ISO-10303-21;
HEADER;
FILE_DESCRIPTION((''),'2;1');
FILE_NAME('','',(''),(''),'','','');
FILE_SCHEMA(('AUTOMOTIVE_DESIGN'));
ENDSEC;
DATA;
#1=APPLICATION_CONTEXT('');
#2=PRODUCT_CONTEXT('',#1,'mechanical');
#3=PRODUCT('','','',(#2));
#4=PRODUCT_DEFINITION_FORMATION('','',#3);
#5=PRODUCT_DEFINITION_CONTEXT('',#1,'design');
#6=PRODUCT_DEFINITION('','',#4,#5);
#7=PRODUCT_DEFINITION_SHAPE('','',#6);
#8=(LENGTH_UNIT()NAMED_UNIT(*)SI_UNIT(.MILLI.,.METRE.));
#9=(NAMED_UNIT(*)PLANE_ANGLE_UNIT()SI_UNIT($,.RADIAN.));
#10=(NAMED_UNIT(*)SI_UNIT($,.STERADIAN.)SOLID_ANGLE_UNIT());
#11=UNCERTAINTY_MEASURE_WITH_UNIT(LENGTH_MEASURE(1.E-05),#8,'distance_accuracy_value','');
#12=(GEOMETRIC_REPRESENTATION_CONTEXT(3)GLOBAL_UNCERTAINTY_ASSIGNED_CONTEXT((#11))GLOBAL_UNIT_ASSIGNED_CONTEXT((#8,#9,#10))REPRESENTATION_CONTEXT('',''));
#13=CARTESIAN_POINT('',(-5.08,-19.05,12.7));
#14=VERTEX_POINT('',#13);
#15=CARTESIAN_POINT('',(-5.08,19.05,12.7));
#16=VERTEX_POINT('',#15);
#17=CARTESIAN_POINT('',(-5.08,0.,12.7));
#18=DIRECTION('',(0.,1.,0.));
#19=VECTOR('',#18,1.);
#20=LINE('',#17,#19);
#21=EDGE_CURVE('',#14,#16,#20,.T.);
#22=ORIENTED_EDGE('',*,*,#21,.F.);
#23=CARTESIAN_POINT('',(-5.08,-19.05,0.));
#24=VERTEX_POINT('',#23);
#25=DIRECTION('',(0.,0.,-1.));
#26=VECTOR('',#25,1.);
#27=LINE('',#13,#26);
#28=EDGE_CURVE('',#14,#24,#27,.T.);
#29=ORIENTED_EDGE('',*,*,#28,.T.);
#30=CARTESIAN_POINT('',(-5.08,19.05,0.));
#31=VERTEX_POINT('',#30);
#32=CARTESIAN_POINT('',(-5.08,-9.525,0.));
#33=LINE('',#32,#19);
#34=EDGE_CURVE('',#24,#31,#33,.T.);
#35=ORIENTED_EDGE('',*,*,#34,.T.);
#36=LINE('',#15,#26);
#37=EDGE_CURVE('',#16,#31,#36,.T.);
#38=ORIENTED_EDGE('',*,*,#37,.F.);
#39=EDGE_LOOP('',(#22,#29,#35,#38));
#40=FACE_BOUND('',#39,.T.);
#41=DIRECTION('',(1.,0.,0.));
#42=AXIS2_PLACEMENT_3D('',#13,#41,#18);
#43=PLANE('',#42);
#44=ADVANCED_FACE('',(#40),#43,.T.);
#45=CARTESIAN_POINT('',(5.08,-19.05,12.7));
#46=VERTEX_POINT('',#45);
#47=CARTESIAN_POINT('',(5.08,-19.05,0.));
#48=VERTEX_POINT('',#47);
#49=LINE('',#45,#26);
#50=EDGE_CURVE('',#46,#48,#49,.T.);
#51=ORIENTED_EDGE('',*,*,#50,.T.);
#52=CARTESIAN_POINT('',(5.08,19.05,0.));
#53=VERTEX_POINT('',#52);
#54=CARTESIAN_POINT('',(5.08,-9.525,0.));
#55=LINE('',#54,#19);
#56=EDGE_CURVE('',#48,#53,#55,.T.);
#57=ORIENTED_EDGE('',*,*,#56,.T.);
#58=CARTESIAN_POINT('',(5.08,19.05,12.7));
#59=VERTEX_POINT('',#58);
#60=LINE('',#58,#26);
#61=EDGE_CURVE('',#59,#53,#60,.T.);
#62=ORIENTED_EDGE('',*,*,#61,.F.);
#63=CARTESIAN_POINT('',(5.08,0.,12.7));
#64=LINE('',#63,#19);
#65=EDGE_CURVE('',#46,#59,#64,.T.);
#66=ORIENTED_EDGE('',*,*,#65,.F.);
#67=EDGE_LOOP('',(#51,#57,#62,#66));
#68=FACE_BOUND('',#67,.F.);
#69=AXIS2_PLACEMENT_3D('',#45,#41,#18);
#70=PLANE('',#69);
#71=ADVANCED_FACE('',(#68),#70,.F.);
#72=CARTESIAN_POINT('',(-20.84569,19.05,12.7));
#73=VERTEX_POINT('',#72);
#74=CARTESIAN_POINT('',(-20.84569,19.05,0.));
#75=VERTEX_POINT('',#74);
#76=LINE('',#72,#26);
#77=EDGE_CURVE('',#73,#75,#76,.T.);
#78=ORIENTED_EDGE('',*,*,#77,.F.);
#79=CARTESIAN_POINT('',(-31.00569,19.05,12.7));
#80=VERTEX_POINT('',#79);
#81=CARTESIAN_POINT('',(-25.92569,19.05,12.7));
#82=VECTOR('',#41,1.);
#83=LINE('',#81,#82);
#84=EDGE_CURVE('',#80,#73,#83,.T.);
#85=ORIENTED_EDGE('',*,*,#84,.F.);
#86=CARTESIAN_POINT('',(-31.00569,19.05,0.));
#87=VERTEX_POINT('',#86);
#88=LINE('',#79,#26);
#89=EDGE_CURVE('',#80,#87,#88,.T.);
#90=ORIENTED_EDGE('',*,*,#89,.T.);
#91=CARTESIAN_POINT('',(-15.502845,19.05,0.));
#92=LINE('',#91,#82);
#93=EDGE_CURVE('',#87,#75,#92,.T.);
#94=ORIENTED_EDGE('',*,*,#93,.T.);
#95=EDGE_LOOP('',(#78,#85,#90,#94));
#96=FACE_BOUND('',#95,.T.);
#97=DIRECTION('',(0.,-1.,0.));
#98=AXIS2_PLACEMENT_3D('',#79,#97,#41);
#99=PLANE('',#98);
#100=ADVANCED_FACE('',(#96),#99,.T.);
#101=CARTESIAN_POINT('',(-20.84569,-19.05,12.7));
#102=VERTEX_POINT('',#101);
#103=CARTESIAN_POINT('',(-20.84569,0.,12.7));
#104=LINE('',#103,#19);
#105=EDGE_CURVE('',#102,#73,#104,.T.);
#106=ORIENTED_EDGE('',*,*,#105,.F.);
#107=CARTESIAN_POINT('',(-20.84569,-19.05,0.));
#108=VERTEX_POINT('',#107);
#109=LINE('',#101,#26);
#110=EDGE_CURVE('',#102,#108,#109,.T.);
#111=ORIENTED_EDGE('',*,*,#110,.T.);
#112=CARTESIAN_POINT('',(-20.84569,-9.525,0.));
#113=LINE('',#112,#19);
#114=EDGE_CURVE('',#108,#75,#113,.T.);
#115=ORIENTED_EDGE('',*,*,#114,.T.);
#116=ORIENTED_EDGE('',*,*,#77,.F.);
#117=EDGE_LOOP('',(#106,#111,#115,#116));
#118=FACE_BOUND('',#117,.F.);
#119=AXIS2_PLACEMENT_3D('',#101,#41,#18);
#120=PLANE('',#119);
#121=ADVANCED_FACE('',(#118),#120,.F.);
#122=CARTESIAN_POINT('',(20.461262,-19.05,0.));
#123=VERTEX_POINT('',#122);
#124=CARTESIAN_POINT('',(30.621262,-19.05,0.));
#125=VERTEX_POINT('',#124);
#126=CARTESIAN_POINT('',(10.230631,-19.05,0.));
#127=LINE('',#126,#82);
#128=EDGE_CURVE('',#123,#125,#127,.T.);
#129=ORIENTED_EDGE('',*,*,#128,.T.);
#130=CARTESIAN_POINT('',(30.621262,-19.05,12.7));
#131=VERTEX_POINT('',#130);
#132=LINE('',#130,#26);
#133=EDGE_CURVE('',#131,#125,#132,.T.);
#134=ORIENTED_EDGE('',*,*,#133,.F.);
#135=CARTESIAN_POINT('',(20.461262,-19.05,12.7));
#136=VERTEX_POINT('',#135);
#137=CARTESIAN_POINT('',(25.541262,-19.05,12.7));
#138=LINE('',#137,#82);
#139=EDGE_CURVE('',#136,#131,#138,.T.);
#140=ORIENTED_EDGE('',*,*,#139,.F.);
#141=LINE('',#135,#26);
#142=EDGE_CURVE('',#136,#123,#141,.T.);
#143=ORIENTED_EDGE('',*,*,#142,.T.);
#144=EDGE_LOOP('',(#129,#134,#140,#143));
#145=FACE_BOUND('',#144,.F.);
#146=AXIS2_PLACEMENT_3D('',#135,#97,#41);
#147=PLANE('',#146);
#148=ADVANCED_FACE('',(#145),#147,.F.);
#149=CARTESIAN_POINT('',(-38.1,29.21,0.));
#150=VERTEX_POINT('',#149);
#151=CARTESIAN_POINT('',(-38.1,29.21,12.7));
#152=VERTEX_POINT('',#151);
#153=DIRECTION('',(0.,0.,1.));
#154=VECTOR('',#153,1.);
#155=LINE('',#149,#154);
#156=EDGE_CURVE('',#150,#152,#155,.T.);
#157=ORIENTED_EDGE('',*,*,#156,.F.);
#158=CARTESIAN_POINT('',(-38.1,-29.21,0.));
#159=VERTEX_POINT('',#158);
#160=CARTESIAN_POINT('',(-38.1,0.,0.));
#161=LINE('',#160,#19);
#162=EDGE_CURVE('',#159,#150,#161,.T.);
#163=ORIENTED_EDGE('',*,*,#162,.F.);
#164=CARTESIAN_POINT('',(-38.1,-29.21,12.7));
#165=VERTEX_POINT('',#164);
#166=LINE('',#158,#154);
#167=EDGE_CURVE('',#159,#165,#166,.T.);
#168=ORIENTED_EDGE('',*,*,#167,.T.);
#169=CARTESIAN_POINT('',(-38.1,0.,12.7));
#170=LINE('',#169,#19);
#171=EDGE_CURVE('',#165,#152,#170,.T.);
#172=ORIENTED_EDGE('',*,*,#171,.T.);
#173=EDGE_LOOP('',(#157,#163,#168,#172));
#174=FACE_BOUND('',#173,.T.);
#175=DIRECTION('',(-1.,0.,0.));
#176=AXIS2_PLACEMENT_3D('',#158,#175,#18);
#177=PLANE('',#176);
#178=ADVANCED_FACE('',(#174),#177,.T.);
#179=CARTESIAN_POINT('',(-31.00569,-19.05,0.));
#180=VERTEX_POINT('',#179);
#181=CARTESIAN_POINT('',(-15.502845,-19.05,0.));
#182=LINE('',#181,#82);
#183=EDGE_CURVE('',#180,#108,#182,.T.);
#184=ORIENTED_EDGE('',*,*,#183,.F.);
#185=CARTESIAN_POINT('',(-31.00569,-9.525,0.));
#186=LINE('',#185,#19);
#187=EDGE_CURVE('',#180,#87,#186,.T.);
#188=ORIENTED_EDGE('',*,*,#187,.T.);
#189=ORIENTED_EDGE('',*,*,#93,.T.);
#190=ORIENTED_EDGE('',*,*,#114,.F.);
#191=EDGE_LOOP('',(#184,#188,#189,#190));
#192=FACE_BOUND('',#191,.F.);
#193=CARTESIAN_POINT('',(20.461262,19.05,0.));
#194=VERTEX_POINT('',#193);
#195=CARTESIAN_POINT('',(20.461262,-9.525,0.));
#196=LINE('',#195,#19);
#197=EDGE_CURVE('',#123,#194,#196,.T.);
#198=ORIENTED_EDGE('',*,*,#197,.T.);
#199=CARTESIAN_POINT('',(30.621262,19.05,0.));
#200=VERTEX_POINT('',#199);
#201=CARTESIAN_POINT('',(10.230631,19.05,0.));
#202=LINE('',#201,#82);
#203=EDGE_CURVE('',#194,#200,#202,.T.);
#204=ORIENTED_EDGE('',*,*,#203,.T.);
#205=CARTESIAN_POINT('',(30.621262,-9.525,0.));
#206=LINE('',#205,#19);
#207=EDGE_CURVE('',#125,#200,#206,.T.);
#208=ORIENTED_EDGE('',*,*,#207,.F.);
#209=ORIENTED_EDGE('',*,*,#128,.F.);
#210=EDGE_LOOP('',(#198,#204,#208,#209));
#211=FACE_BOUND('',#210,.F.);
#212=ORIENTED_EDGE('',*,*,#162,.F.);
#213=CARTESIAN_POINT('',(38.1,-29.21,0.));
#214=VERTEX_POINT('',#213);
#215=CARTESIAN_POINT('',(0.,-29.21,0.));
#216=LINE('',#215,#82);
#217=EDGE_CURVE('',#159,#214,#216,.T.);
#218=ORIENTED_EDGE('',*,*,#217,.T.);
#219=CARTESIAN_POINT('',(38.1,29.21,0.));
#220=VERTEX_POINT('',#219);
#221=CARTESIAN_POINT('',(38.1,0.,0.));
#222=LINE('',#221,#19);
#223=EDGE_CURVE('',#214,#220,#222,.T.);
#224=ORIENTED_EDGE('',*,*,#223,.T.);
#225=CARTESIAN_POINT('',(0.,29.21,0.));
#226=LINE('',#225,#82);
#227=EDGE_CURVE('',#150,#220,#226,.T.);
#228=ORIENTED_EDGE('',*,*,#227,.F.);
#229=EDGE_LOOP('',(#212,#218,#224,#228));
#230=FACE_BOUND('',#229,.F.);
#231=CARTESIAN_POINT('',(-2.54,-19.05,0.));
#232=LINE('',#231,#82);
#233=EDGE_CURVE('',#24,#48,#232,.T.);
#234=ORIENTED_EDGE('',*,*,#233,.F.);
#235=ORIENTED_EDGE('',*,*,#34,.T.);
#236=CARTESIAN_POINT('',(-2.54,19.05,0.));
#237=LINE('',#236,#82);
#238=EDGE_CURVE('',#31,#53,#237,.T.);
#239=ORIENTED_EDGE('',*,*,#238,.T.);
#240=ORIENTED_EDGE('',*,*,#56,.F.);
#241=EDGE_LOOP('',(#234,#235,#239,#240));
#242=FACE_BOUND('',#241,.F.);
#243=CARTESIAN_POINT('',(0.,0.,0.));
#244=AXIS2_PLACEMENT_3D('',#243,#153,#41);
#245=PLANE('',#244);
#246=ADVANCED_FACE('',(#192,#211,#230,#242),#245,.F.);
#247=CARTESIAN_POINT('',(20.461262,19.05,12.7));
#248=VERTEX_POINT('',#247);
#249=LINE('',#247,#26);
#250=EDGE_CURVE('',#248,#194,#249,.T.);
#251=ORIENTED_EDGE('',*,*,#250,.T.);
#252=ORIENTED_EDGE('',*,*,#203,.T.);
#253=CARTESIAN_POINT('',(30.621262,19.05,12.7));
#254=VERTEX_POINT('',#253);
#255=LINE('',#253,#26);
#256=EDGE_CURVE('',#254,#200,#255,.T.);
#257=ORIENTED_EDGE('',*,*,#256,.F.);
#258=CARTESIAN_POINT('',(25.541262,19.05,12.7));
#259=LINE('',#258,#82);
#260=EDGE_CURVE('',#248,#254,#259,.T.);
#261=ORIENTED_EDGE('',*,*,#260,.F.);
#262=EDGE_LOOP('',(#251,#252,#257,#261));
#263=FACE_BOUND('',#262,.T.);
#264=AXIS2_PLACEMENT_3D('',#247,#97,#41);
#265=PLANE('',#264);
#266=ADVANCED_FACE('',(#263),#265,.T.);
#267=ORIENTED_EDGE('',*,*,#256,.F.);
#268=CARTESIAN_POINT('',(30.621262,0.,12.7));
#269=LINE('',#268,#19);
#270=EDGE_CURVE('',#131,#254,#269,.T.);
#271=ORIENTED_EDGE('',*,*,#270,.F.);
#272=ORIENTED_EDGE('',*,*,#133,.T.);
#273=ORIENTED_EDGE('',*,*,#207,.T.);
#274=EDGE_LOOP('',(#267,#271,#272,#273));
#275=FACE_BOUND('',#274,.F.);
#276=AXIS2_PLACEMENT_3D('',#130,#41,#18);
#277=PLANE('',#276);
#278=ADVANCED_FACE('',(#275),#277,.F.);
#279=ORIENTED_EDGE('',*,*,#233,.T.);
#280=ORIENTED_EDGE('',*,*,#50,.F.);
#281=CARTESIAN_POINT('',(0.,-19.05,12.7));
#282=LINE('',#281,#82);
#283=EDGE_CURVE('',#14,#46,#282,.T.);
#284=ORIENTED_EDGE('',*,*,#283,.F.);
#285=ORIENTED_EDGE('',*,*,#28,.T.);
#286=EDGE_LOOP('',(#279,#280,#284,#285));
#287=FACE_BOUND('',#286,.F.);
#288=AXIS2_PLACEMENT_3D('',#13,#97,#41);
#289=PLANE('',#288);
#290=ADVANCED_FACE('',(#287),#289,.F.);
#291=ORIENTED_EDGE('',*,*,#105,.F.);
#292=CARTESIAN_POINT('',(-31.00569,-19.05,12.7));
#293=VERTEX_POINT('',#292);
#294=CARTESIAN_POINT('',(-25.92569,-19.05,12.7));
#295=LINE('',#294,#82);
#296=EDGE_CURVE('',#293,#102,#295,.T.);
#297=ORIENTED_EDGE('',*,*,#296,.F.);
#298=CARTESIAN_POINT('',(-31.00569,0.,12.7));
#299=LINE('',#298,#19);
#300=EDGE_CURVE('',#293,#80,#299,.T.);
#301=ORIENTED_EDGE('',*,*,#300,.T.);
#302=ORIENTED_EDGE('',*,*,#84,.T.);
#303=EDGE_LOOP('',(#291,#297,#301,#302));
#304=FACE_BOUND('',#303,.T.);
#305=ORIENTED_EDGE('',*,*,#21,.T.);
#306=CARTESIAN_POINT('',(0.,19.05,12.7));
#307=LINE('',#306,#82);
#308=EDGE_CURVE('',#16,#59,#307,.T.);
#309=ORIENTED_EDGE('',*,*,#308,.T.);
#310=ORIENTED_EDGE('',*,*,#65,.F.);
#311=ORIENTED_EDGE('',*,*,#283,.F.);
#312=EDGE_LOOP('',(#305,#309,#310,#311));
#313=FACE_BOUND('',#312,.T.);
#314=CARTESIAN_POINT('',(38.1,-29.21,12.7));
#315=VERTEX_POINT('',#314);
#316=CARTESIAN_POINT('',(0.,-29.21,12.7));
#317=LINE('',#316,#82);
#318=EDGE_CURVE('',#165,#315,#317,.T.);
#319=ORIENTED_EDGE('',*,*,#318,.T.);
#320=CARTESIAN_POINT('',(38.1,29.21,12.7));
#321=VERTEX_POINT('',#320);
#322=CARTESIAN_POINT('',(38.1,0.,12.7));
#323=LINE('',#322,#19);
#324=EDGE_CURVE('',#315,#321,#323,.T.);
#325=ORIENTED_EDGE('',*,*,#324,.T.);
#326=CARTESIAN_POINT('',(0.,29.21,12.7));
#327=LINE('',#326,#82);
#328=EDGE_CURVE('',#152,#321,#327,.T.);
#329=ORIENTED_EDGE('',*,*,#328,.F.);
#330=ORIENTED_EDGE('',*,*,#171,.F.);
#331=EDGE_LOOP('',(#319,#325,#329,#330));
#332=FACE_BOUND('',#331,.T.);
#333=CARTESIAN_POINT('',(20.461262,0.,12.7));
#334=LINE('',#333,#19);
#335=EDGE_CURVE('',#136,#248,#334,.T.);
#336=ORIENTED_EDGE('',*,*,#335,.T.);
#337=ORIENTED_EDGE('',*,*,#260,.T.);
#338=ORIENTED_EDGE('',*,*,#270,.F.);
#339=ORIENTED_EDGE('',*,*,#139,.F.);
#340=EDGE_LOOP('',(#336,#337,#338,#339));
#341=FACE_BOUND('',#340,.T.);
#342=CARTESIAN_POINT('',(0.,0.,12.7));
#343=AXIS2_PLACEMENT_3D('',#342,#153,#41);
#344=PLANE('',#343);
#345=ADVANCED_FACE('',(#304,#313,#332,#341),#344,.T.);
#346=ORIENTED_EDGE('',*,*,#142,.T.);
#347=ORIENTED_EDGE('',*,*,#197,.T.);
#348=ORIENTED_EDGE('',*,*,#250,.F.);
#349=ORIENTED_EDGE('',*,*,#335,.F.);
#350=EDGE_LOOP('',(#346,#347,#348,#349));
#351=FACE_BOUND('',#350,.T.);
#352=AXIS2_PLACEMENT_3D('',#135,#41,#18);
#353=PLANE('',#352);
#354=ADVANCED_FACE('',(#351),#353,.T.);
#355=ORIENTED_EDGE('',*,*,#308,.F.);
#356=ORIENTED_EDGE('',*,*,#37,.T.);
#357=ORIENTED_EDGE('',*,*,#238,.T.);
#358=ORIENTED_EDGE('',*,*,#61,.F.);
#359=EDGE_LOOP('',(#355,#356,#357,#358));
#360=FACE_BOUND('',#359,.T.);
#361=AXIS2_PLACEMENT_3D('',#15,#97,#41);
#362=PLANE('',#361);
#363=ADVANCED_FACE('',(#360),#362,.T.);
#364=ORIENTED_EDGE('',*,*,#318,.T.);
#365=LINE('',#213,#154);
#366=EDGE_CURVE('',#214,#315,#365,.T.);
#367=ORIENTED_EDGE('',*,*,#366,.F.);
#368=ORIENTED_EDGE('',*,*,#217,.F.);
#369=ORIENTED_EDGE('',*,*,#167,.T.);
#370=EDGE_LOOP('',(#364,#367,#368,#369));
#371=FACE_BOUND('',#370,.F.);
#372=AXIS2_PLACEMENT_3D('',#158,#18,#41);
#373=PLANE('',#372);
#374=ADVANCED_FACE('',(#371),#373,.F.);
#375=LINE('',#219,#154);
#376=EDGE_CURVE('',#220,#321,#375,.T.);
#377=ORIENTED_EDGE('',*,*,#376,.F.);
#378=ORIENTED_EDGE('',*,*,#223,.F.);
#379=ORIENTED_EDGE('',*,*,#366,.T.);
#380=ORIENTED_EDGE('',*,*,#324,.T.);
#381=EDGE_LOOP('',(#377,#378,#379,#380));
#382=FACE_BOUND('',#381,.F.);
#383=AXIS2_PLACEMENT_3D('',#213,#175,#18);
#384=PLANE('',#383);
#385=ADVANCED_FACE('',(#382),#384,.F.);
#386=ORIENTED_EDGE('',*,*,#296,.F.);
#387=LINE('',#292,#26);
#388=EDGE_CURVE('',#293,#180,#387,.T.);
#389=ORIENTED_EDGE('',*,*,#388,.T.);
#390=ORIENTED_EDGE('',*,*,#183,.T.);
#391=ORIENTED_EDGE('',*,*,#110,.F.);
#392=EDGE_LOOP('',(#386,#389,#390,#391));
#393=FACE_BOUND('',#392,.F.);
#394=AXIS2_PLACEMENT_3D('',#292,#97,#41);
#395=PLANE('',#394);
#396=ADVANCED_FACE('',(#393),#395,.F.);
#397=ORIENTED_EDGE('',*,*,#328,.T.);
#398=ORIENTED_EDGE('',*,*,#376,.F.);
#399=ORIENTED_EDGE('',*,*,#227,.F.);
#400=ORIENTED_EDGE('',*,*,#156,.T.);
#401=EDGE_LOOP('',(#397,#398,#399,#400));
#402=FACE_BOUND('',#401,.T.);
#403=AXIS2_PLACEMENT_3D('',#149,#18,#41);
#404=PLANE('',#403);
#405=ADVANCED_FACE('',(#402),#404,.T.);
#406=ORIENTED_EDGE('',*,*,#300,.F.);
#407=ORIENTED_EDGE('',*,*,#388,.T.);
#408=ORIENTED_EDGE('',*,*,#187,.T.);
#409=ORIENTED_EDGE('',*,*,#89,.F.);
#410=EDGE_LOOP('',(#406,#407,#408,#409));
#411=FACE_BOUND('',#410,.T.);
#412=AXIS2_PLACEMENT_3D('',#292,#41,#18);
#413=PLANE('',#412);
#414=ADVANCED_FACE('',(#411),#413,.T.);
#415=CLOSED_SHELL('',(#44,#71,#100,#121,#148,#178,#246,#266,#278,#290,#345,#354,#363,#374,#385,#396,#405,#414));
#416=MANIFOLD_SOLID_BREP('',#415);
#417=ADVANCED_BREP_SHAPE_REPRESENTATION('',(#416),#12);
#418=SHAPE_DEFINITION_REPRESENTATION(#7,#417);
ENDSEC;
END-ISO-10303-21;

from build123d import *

# Parameters (mm, degrees)
F0_W     = 76.2
F0_H     = 58.42
F1_DEPTH = 12.7
F2_W     = 10.16
F2_H     = 38.1
F3_DEPTH = 12.701


with BuildPart() as f1:
    # F0 (on Top) → F1 (new body)
    with BuildSketch(Plane.XY):
        Rectangle(F0_W, F0_H)
    extrude(amount=F1_DEPTH)

    # F2 (on face) → F3 (cut, through all)
    with BuildSketch(Plane.XY.offset(12.7)):
        Rectangle(F2_W, F2_H)
        with Locations((25.541262, 0)):
            Rectangle(F2_W, F2_H)
        with Locations((-25.92569, 0)):
            Rectangle(F2_W, F2_H)
    extrude(amount=-F3_DEPTH, mode=Mode.SUBTRACT)


solid = f1.part
